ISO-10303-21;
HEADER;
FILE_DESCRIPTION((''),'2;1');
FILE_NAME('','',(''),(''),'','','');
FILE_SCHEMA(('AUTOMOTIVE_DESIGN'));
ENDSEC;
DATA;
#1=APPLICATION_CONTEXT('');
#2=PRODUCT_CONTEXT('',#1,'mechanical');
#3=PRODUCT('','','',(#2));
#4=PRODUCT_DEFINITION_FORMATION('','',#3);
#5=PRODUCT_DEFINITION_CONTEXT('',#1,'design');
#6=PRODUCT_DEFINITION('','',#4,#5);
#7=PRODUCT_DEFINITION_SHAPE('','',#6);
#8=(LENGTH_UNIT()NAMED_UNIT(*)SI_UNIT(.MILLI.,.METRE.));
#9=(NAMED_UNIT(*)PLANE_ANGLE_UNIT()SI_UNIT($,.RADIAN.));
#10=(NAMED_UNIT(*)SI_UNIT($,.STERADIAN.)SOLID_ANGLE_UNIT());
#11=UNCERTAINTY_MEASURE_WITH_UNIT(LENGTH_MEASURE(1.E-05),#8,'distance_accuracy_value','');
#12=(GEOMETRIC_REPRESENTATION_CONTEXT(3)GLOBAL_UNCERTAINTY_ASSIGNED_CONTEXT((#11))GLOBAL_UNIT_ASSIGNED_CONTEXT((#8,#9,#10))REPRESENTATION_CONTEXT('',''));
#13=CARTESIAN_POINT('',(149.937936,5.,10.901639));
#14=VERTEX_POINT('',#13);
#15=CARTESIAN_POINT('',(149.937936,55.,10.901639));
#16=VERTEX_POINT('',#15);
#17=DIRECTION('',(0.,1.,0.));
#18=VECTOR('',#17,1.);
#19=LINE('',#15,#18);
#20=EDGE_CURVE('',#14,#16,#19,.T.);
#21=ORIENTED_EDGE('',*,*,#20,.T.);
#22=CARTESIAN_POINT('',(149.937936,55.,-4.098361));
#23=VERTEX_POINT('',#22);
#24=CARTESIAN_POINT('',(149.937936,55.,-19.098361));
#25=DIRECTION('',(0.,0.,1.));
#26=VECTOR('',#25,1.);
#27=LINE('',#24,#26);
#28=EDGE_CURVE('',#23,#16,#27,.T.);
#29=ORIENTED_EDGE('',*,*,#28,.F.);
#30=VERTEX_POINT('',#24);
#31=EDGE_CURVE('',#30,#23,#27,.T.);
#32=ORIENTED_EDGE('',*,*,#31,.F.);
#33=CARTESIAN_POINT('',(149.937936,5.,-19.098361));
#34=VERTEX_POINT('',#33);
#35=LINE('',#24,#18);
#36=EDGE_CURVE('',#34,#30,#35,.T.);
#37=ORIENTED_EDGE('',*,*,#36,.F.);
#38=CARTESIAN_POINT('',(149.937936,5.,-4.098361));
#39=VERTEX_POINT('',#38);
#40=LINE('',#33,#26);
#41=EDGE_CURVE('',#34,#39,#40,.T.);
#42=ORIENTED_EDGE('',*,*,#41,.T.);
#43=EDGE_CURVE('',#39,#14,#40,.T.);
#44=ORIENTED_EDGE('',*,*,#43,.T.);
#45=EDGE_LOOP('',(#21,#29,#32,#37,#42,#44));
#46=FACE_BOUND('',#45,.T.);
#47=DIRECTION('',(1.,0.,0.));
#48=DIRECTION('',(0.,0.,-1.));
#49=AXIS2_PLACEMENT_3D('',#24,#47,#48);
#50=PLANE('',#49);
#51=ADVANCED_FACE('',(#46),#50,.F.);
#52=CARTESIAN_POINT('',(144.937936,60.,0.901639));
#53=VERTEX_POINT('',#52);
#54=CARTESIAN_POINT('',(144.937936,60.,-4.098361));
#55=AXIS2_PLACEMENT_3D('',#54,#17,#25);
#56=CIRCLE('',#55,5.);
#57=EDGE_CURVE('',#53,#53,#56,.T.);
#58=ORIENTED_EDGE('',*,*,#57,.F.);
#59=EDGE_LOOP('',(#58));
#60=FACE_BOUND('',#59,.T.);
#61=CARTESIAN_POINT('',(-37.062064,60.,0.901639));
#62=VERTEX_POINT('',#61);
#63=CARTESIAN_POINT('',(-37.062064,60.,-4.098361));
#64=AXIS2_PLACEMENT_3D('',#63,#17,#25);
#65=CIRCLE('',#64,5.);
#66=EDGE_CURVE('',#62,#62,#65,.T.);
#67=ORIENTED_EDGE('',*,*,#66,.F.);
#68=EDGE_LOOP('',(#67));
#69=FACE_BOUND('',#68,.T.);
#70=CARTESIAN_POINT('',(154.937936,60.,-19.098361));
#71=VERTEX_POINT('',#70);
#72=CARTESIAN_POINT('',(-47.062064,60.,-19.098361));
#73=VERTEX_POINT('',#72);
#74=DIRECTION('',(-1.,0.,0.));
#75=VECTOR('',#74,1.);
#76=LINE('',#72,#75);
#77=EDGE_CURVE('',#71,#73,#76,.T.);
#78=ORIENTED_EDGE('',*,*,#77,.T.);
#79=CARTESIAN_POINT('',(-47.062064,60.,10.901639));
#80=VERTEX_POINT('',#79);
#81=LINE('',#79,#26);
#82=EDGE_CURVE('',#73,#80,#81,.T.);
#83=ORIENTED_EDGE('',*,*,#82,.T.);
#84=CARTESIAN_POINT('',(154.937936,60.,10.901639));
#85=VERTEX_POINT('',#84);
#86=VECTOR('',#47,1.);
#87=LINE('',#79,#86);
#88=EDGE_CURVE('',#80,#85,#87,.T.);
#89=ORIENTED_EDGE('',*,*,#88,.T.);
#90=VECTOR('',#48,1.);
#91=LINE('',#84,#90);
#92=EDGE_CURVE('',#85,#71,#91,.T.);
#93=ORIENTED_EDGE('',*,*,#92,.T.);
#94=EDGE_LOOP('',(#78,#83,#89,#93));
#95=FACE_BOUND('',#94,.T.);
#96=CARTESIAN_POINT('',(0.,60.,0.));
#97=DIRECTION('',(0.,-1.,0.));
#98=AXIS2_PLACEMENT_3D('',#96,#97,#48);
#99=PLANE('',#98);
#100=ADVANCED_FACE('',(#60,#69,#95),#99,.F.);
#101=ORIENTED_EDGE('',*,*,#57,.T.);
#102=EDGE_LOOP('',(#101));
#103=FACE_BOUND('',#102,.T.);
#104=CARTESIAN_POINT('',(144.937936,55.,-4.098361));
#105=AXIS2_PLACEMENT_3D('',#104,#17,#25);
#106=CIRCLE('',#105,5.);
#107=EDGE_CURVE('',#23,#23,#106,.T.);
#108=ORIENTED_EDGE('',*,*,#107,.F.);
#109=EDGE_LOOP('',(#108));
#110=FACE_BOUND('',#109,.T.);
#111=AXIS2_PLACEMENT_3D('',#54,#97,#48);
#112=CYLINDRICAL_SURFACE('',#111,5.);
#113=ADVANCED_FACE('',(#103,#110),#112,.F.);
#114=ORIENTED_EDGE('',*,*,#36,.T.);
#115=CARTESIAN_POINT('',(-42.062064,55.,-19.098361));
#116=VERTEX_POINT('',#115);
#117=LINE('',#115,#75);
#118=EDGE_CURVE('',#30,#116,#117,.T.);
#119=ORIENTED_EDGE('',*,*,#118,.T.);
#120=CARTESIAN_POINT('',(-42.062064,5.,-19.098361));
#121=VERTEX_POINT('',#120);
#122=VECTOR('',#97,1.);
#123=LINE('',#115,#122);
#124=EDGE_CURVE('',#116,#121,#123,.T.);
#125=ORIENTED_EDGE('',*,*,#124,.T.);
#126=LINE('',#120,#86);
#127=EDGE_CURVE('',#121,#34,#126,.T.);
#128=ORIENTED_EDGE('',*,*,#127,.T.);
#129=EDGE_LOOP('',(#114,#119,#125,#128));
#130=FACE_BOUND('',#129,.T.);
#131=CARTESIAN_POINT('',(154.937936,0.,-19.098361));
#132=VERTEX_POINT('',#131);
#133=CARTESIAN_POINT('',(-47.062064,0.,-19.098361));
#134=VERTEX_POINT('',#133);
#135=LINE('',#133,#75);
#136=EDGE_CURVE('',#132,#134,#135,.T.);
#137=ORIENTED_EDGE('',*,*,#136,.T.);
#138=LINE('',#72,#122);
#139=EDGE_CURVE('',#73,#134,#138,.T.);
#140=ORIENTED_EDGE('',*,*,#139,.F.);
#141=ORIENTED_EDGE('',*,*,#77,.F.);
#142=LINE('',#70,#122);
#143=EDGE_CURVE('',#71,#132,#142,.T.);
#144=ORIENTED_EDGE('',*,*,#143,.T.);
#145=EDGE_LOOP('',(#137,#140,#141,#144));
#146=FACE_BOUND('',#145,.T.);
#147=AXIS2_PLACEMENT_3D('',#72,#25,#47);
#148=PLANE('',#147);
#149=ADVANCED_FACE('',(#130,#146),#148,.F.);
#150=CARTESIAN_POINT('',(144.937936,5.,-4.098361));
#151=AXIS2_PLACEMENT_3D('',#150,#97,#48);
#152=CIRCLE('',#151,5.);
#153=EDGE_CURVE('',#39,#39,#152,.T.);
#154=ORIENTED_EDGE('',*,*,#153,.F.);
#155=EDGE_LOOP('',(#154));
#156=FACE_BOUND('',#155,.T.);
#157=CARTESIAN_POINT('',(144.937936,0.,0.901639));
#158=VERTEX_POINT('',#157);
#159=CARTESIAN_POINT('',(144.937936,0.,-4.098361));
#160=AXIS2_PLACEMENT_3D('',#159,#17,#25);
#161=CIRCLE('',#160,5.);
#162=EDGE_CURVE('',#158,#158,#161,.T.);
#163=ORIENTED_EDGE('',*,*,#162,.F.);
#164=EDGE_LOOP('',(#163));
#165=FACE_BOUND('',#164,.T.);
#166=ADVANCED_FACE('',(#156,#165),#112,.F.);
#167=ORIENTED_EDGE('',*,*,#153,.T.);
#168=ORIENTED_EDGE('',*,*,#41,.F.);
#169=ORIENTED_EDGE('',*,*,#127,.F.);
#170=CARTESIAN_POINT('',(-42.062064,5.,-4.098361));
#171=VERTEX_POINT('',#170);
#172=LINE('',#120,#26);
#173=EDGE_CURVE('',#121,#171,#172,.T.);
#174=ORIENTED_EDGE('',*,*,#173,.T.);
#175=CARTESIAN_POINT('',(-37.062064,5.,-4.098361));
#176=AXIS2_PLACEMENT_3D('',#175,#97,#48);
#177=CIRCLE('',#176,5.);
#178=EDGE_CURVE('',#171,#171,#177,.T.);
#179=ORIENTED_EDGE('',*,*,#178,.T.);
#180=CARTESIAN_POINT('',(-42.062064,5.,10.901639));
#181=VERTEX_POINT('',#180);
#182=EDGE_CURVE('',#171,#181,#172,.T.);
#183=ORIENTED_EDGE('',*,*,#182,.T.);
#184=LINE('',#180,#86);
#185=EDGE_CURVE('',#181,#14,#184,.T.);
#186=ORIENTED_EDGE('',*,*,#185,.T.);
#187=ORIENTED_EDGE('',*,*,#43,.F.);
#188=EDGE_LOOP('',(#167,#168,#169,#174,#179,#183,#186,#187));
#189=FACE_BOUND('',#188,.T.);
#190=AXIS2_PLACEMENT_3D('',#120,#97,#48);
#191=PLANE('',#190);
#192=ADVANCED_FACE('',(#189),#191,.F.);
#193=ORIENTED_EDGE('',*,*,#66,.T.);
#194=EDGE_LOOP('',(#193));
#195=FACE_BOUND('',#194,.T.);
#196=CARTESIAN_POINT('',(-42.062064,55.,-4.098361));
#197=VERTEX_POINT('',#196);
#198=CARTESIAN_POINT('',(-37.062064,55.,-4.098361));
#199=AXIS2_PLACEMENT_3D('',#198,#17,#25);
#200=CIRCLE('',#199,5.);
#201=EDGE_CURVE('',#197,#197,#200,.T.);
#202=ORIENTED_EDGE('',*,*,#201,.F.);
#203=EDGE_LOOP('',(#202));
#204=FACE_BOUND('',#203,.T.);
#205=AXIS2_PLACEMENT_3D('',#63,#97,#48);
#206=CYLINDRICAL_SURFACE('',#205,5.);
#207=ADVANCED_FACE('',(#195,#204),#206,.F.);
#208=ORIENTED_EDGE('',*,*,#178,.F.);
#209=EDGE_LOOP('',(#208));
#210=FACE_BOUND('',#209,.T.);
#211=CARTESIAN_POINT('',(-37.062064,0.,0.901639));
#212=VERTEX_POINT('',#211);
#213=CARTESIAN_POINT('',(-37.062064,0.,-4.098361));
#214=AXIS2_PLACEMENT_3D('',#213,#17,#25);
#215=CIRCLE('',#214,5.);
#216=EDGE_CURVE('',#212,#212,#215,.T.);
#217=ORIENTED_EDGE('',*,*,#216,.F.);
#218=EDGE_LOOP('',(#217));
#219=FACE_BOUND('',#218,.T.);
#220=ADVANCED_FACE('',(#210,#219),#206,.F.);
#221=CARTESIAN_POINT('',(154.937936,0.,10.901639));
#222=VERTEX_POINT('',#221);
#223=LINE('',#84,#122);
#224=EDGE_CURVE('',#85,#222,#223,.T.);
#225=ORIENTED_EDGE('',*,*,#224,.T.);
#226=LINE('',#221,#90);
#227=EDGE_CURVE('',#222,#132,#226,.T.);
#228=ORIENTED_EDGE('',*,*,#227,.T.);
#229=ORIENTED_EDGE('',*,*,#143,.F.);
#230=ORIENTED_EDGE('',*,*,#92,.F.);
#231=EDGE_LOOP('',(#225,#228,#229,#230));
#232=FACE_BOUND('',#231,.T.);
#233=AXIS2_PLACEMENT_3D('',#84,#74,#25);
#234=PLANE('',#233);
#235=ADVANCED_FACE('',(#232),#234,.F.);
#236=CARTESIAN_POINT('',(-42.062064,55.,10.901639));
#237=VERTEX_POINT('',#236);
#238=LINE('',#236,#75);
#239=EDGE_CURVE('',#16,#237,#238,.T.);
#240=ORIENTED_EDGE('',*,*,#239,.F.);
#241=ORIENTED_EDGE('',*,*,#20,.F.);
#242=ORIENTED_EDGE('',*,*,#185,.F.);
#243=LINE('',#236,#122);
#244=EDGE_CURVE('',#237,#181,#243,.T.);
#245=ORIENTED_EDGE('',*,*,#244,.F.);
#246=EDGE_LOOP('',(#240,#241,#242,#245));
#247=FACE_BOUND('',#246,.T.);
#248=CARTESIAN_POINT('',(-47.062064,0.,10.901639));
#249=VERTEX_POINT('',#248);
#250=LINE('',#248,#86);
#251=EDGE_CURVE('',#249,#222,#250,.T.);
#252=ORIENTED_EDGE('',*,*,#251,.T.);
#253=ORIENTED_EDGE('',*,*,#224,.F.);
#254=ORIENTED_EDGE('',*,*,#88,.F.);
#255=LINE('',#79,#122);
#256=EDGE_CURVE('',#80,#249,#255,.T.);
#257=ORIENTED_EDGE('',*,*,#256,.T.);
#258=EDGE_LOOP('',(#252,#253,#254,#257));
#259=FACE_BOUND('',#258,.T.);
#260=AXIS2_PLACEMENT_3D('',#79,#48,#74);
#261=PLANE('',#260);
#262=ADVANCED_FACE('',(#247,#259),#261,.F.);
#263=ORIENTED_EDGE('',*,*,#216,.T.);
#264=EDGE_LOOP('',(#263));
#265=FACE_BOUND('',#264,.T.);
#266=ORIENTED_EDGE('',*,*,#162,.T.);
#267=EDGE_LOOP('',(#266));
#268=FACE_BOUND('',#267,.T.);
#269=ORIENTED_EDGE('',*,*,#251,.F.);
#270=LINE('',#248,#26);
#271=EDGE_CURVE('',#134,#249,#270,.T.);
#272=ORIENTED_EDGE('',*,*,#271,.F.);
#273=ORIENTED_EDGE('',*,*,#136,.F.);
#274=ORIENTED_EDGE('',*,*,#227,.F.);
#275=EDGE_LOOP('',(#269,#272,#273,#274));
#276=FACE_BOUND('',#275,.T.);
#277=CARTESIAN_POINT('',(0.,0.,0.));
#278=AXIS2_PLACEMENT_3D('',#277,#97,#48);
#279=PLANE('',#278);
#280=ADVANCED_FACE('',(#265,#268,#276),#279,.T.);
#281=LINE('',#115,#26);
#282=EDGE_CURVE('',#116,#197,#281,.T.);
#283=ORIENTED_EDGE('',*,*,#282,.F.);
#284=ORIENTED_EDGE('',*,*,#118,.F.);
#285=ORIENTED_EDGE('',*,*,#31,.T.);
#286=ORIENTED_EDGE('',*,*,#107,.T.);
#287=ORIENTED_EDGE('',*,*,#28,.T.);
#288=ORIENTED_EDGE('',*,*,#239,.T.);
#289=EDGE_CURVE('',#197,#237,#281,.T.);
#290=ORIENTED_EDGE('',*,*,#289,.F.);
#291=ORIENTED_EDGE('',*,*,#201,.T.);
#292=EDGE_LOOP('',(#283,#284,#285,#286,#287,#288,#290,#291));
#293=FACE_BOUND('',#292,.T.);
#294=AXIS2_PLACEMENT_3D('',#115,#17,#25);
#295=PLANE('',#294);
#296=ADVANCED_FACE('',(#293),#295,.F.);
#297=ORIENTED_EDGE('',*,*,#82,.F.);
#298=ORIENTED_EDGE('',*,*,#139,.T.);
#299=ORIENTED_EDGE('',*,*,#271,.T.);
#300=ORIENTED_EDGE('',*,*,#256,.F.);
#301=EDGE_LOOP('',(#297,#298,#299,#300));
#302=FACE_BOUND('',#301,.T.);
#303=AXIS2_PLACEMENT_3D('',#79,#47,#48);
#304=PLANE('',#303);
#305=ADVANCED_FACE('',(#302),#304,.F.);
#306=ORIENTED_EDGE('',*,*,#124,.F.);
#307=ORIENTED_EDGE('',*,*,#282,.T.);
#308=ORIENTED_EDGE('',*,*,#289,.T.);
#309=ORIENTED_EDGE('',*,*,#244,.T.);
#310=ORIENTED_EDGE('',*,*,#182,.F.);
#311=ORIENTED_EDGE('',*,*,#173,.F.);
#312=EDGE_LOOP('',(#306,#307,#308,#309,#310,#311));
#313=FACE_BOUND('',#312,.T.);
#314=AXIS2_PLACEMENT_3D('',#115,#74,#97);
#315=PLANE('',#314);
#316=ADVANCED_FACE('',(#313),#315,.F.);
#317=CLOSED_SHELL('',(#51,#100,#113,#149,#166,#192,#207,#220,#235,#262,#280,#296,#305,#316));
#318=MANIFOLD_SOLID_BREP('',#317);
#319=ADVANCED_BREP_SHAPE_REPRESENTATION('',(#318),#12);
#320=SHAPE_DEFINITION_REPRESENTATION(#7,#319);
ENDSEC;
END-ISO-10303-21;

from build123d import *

# Parameters (mm, degrees)
CROQUIS1_W              = 202
CROQUIS1_H              = 30
CROQUIS1_R              = 5
SALIENTE_EXTRUIR1_DEPTH = 60
CROQUIS2_W              = 192
CROQUIS2_H              = 50
CORTAR_EXTRUIR1_DEPTH   = 169.836501235


with BuildPart() as part:
    # Croquis1 → Saliente-Extruir1 (new body)
    with BuildSketch(Plane(origin=(0, 0, 0), x_dir=(1, 0, 0), z_dir=(0, 1, 0))):
        with Locations((53.937936443, 4.098360656)):
            Rectangle(CROQUIS1_W, CROQUIS1_H)
        with Locations(Location((-37.062063557, 4.098360656, 0), (0, 0, 270))):
            Circle(CROQUIS1_R, mode=Mode.SUBTRACT)
        with Locations(Location((144.937936443, 4.098360656, 0), (0, 0, 270))):
            Circle(CROQUIS1_R, mode=Mode.SUBTRACT)
    extrude(amount=SALIENTE_EXTRUIR1_DEPTH)

    # Croquis2 → Cortar-Extruir1 (cut, through all)
    with BuildSketch(Plane.XY.offset(10.901639344)):
        with Locations((53.937936443, 30)):
            Rectangle(CROQUIS2_W, CROQUIS2_H)
    extrude(amount=-CORTAR_EXTRUIR1_DEPTH, mode=Mode.SUBTRACT)


solid = part.part
